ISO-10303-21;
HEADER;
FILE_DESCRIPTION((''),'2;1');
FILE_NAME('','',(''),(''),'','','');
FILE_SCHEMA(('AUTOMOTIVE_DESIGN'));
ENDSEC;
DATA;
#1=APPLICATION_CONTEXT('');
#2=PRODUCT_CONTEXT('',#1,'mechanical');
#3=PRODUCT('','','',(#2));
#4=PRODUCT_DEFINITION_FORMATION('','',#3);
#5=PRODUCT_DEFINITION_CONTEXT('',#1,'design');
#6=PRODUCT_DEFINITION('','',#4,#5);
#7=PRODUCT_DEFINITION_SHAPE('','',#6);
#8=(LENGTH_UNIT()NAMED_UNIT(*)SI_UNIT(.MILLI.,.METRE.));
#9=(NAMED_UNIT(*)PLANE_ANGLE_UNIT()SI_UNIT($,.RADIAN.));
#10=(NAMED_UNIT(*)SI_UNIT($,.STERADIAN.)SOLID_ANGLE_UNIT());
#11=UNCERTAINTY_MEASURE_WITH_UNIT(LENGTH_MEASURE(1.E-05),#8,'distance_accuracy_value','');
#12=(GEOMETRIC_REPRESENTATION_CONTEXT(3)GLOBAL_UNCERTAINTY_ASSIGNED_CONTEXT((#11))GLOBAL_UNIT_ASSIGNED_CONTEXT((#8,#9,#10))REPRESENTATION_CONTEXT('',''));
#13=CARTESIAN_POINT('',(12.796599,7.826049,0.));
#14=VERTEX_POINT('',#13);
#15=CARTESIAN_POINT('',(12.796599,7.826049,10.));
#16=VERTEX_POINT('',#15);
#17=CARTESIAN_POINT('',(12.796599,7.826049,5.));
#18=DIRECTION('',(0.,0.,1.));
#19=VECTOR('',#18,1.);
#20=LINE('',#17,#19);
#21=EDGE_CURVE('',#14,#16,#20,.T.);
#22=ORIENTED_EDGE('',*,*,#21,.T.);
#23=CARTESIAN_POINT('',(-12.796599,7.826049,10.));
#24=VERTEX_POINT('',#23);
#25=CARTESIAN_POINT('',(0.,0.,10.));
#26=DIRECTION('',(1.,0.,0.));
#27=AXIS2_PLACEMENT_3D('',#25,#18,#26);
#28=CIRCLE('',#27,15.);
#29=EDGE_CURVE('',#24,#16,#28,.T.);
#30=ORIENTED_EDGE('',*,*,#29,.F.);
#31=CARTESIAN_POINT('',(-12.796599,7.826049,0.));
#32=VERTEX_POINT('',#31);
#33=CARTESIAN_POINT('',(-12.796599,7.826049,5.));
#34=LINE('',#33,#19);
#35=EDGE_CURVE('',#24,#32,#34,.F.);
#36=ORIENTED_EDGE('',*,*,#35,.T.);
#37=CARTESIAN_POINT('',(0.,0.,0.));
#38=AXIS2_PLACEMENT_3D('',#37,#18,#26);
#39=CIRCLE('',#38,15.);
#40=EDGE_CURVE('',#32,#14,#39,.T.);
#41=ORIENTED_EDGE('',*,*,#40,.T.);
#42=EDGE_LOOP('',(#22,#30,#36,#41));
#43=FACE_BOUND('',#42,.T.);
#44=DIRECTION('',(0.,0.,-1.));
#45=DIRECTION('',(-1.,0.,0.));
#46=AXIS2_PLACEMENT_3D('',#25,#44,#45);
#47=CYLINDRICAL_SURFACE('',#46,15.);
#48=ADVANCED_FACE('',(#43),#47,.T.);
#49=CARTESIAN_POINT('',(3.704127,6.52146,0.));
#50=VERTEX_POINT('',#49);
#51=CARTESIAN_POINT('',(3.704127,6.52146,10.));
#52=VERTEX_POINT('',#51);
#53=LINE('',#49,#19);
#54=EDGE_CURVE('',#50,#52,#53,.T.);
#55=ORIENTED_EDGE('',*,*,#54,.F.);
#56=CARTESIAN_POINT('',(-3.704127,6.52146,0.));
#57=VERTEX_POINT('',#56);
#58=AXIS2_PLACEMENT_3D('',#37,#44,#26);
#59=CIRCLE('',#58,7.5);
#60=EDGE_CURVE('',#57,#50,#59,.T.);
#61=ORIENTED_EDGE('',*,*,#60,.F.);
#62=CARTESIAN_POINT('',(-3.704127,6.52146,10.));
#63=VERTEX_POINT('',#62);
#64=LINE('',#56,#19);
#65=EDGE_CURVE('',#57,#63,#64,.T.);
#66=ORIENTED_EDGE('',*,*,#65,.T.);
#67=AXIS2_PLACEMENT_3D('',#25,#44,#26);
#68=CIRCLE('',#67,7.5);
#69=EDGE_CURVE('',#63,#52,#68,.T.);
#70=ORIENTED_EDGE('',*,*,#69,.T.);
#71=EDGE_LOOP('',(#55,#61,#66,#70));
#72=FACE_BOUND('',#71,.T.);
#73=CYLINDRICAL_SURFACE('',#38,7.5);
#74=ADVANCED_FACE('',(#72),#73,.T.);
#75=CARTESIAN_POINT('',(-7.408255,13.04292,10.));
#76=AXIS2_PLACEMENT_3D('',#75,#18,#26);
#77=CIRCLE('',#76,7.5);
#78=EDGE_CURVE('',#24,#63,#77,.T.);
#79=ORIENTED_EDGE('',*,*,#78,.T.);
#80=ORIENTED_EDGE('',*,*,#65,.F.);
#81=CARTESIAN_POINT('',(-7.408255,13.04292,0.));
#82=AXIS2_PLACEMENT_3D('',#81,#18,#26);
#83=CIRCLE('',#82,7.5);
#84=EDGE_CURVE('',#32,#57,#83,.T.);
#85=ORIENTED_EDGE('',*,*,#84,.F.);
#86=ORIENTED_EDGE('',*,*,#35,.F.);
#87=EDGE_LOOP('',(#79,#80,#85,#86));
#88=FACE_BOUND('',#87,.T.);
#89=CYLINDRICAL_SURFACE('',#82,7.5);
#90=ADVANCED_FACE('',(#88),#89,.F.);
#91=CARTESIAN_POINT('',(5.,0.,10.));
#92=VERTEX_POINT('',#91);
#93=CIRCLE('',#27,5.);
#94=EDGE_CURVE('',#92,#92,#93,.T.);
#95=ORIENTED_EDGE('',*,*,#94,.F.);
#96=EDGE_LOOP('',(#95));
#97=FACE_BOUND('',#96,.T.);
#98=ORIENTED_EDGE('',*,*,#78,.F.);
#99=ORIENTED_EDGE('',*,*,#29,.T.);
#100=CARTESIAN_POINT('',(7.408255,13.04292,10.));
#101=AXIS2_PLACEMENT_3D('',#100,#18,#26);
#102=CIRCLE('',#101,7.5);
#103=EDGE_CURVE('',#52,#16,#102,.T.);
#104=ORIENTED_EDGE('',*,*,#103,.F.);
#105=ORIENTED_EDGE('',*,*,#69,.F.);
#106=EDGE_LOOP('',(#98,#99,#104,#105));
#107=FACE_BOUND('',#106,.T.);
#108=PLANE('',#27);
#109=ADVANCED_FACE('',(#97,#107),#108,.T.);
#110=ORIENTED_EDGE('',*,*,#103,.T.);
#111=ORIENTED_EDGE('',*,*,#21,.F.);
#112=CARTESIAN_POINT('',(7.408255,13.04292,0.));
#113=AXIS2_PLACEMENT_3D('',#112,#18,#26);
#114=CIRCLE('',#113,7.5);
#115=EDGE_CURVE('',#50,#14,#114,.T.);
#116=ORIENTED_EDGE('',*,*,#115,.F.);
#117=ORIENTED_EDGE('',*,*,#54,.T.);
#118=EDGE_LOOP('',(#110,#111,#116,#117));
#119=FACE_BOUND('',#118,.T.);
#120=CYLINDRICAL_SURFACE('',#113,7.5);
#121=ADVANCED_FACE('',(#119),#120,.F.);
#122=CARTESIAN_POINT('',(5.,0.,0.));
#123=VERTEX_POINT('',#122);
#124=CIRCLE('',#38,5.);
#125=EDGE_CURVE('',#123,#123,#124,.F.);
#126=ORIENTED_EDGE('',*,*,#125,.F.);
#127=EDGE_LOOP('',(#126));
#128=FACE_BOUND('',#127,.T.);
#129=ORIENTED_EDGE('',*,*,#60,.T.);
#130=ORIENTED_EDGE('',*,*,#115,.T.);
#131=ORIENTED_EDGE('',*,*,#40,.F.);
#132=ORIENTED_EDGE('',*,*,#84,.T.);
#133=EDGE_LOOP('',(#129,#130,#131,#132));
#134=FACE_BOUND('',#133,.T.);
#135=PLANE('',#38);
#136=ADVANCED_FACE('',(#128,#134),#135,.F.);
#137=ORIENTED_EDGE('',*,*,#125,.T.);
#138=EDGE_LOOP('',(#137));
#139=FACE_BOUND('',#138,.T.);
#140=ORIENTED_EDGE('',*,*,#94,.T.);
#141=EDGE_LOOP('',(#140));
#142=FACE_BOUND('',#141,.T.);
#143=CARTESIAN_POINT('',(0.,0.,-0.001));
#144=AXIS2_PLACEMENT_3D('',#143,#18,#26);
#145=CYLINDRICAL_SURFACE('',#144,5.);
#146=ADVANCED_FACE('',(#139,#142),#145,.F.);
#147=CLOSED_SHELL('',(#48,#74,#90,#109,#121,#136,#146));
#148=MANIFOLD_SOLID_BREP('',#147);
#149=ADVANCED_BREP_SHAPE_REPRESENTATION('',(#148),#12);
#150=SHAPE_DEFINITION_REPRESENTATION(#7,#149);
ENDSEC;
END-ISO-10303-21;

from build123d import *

# Parameters (mm, degrees)
SKETCH2_R           = 15
BOSS_EXTRUDE1_DEPTH = 10
CUT_EXTRUDE1_REACH  = 25.452
SKETCH3_R           = 5
CUT_EXTRUDE2_DEPTH  = 24.452078799


with BuildPart() as part:
    # Sketch2 → Boss-Extrude1 (new body)
    with BuildSketch(Plane.XY):
        Circle(SKETCH2_R)
    extrude(amount=BOSS_EXTRUDE1_DEPTH)

    # Sketch3 → Cut-Extrude1 (cut, up to next)
    with BuildSketch(Plane.XY.offset(10), mode=Mode.PRIVATE) as cut_extrude1_sk1:
        Circle(SKETCH3_R)
    cut_extrude1_tool1 = extrude(cut_extrude1_sk1.sketch, amount=-CUT_EXTRUDE1_REACH, mode=Mode.PRIVATE) & part.part
    add(cut_extrude1_tool1.solids().sort_by_distance((0, 0, 10))[0], mode=Mode.SUBTRACT)

    # Sketch7 → Cut-Extrude2 (cut, through all)
    with BuildSketch(Plane.XY.offset(10)):
        with BuildLine():
            ThreePointArc((3.70412729, 6.521460037), (0, 7.5), (-3.70412729, 6.521460037))
            ThreePointArc((-3.70412729, 6.521460037), (-14.165401159, 16.297297145), (0, 14.212434533))
            ThreePointArc((0, 14.212434533), (14.165401159, 16.297297145), (3.70412729, 6.521460037))
        make_face()
    extrude(amount=-CUT_EXTRUDE2_DEPTH, mode=Mode.SUBTRACT)


with BuildPart() as body_2:
    # of the pieces the cut leaves, the one that is kept (cut_extrude2_keep)
    add(part.part.solids().sort_by_distance((-12.796599287, 7.826049238, 0))[0])


solid = body_2.part
